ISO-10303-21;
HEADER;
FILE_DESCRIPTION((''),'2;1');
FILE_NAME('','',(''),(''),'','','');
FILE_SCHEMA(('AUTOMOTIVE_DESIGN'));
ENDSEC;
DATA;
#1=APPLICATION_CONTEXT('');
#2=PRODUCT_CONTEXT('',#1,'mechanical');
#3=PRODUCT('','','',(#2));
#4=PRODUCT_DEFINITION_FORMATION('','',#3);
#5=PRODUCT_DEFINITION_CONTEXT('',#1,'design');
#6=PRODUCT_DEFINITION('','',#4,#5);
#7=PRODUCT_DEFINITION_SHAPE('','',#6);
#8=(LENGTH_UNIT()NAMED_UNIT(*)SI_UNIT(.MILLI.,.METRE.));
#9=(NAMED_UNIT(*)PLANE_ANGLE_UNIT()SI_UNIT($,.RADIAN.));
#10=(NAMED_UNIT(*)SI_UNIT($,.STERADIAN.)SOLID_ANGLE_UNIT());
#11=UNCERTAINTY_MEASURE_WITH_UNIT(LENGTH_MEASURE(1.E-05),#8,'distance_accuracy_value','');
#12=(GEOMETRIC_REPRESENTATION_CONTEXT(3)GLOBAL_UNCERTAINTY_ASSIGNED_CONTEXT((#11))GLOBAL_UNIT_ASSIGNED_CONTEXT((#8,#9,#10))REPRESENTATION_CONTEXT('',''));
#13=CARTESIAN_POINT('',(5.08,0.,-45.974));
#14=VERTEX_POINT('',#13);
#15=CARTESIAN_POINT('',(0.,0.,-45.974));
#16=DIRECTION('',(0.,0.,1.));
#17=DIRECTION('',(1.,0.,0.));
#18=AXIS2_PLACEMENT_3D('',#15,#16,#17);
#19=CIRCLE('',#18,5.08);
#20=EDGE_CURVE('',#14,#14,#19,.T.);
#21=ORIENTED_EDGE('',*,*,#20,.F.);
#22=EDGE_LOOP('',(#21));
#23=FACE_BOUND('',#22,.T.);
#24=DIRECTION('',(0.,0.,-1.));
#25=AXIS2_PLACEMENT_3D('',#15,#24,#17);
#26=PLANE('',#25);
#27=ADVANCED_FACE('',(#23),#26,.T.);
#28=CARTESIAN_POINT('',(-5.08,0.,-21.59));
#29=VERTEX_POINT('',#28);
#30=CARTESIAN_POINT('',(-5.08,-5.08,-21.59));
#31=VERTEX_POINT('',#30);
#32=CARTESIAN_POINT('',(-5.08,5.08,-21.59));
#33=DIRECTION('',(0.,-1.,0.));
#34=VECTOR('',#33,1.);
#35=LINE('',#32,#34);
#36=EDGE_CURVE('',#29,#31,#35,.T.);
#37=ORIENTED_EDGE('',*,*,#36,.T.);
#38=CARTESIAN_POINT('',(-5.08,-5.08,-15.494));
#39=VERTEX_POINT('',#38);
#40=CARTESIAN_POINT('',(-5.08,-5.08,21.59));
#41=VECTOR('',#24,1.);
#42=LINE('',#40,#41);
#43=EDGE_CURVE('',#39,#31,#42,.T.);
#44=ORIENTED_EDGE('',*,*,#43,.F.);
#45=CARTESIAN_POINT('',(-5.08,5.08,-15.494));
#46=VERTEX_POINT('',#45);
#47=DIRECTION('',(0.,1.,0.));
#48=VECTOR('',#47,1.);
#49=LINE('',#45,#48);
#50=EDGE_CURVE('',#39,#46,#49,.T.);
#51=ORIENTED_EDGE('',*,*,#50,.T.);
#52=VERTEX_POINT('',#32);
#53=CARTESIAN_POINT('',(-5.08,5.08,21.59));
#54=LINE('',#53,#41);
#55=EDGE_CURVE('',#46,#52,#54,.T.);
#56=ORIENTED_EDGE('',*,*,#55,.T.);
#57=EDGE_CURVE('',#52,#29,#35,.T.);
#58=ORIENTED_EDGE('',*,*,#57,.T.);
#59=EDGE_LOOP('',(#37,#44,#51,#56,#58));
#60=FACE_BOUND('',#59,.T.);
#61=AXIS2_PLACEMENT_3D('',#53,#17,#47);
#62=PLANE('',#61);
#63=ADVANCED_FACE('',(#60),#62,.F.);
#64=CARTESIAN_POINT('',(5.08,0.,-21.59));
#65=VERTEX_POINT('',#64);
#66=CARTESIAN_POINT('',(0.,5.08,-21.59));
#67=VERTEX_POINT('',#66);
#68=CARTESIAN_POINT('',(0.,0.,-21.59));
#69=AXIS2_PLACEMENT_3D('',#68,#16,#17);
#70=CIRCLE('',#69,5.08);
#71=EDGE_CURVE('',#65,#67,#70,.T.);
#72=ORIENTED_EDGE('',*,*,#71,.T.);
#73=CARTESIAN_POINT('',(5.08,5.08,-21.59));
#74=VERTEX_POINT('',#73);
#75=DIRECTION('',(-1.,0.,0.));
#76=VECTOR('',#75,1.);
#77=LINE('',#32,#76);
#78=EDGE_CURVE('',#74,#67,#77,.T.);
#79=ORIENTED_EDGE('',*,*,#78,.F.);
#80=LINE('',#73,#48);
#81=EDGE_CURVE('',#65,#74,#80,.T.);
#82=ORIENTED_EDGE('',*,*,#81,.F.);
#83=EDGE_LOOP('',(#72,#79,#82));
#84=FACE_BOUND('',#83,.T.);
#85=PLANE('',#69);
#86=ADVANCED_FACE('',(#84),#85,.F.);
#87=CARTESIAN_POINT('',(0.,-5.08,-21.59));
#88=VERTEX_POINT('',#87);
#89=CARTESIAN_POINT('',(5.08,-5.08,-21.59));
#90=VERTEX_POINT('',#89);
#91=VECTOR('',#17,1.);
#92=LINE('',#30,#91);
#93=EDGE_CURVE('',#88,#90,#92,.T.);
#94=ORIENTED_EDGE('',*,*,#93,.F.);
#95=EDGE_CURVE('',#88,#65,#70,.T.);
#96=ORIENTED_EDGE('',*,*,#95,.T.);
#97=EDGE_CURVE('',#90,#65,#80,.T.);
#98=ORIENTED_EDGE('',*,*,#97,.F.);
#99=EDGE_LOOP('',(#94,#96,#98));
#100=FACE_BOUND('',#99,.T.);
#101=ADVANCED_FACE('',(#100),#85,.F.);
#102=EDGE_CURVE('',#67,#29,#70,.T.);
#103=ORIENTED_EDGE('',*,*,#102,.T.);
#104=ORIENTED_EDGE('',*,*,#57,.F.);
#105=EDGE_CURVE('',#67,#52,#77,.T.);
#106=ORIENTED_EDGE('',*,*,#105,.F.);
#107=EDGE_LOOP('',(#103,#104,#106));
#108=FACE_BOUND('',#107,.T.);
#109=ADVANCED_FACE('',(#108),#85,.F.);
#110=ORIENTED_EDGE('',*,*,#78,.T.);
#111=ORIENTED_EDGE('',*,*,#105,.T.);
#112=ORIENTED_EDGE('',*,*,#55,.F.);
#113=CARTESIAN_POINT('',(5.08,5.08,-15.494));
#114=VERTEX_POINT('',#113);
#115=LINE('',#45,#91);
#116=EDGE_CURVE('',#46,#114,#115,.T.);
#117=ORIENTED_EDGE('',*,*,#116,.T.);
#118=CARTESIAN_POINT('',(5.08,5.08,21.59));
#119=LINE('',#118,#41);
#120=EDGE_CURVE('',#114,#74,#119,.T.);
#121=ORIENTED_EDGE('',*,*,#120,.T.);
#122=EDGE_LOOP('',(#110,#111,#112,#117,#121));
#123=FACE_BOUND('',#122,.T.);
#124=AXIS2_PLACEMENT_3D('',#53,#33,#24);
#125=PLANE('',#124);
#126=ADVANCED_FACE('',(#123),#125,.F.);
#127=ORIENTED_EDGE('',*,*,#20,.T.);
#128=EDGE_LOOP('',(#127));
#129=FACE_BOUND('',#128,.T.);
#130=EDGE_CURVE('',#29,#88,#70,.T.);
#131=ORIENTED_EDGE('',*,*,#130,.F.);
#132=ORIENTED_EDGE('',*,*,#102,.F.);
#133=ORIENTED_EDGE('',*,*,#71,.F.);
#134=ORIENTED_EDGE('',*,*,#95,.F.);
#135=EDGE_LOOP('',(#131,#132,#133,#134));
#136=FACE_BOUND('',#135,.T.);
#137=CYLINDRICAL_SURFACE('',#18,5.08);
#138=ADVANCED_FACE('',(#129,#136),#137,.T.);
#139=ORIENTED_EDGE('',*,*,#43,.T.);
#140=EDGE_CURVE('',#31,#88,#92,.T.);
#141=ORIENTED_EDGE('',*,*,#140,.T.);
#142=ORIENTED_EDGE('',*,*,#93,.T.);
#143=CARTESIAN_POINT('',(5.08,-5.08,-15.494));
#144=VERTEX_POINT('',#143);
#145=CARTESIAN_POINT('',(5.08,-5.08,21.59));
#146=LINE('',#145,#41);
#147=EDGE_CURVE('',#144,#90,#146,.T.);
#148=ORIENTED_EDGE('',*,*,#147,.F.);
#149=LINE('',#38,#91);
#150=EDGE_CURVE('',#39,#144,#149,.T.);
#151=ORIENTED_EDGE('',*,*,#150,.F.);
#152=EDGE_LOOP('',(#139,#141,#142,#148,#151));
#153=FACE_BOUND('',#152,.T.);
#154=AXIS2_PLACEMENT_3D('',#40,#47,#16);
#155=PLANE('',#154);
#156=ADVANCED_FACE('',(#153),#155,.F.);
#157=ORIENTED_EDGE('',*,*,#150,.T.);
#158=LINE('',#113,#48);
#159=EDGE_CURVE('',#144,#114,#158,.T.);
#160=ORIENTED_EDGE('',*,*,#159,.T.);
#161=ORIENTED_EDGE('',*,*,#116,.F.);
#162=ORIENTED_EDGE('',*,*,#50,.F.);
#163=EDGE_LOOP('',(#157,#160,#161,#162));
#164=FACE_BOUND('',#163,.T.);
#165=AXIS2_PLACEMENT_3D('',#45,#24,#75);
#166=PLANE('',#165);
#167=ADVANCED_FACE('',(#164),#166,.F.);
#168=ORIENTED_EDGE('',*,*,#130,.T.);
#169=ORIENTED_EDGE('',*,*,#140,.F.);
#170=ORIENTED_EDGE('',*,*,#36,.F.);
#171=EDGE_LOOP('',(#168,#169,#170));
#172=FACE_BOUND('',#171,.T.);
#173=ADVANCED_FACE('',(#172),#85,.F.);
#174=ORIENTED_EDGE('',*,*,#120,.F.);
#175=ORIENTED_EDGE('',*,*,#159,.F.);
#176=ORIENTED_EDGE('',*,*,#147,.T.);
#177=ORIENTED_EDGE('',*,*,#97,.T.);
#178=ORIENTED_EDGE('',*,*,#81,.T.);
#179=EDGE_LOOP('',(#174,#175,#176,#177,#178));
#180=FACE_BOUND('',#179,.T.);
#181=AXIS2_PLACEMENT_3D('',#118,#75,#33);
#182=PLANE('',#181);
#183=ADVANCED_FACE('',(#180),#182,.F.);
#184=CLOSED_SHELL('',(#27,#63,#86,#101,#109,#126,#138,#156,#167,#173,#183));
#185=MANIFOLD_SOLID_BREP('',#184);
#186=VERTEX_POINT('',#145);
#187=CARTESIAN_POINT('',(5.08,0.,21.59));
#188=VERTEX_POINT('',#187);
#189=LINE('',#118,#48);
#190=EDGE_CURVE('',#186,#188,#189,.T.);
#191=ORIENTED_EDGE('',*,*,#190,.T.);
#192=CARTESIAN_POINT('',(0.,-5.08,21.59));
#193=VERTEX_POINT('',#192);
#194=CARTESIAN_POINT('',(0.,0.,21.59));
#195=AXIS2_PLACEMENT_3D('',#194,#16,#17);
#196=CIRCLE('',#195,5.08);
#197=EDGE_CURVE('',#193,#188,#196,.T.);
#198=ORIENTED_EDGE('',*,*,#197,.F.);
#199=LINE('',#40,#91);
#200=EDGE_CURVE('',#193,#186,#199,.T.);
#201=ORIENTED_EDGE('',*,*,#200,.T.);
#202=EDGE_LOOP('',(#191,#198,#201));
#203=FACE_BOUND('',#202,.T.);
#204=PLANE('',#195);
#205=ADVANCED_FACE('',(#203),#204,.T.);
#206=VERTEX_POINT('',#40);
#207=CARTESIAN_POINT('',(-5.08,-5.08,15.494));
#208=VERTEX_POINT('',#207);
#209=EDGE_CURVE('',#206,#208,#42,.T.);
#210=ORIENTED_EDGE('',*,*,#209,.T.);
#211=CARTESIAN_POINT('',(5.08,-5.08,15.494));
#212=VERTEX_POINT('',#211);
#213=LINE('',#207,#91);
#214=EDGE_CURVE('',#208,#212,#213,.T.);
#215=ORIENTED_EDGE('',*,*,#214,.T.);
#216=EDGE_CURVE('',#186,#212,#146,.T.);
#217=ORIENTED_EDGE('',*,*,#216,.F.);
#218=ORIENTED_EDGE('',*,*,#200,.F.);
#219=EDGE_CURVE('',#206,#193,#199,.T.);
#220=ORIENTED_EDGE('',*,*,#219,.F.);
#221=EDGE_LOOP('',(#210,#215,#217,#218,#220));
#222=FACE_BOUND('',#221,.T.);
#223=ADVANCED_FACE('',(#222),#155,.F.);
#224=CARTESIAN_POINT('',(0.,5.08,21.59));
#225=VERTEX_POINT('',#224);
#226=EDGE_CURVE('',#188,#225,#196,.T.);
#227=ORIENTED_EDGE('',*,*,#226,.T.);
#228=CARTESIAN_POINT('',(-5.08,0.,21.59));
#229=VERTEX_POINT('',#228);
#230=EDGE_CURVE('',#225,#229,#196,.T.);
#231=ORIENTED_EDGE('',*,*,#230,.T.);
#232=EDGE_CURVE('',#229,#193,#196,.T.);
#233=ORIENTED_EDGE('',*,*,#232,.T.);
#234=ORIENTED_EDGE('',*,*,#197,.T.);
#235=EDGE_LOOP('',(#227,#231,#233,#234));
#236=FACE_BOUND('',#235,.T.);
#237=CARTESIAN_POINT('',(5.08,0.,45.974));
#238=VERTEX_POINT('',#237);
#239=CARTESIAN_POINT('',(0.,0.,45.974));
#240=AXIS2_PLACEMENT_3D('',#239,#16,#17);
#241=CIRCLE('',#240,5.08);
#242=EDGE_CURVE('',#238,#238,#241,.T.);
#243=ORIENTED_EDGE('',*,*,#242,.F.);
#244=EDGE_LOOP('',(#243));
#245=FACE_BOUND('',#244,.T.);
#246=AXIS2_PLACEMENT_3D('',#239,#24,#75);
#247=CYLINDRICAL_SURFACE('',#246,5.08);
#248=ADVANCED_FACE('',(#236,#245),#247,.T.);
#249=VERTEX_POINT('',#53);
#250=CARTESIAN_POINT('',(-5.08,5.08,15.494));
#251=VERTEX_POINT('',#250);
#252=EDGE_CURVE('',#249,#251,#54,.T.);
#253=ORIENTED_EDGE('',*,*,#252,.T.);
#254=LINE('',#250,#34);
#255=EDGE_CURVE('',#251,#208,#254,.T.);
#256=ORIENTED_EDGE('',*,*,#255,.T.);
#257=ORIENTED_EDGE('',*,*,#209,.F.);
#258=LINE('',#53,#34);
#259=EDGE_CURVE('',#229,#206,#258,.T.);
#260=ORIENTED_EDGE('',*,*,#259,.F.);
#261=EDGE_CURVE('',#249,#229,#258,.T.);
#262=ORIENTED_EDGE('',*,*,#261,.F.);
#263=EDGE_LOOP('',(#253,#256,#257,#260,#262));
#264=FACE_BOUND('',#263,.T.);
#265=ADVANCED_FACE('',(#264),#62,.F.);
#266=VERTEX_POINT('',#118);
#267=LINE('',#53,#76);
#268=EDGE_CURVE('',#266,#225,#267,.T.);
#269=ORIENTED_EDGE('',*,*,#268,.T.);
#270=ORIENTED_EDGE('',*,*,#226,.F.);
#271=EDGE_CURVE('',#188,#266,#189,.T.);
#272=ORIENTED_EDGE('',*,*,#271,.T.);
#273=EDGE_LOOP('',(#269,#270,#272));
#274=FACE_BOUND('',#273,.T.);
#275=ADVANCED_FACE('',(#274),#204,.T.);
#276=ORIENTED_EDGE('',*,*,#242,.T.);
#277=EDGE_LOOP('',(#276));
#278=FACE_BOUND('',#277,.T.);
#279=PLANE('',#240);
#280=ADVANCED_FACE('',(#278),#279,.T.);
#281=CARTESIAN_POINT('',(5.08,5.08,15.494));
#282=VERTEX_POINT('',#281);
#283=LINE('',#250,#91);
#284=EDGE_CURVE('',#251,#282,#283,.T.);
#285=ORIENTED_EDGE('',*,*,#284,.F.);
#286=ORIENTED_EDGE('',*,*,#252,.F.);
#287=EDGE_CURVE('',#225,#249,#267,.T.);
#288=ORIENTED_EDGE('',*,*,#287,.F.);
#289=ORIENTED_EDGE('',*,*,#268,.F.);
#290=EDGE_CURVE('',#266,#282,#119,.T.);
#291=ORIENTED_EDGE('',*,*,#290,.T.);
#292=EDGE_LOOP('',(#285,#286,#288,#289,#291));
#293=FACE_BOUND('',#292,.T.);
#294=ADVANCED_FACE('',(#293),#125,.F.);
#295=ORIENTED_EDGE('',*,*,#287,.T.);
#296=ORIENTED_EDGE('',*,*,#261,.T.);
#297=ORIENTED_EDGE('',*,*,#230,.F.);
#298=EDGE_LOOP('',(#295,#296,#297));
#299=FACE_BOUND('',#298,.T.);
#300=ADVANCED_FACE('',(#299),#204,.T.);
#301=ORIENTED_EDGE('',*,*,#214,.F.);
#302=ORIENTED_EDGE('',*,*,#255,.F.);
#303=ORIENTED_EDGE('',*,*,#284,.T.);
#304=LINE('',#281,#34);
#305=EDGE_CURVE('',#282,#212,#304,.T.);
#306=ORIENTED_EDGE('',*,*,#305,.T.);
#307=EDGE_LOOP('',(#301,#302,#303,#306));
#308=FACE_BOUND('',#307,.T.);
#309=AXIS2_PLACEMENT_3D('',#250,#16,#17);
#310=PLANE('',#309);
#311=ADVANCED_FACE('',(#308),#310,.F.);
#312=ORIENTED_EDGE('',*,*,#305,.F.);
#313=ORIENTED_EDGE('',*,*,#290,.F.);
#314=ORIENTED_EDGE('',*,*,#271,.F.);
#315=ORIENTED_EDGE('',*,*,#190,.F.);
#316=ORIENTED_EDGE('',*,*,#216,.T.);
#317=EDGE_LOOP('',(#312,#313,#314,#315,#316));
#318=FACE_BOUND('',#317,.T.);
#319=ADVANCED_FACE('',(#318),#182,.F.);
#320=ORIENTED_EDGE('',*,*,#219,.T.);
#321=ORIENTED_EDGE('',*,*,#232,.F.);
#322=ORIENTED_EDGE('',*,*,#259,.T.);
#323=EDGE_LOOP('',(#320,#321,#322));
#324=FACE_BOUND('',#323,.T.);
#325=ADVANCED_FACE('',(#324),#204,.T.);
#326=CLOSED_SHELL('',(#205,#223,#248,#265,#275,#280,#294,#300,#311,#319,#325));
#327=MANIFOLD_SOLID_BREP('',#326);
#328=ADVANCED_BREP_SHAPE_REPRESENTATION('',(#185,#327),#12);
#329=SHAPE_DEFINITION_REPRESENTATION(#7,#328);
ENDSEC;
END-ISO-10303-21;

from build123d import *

# Parameters (mm, degrees)
SKETCH1_W           = 10.16
SKETCH1_H           = 10.16
BOSS_EXTRUDE2_DEPTH = 21.59
SKETCH2_R           = 5.08
BOSS_EXTRUDE3_DEPTH = 24.384
SKETCH4_W           = 30.988
SKETCH4_H           = 10.16
CUT_EXTRUDE2_DEPTH  = 48.35652728


with BuildPart() as part:
    # Sketch1 → Boss-Extrude2 (new, symmetric)
    with BuildSketch(Plane.XY):
        Rectangle(SKETCH1_W, SKETCH1_H)
    extrude(amount=BOSS_EXTRUDE2_DEPTH, both=True)

    # Sketch2 → Boss-Extrude3 (add)
    with BuildSketch(Plane.XY.offset(21.59)):
        Circle(SKETCH2_R)
    boss_extrude3 = extrude(amount=BOSS_EXTRUDE3_DEPTH)

    # Mirror1: Boss-Extrude3 across plane
    add(boss_extrude3.mirror(Plane.XY))

    # Sketch4 → Cut-Extrude2 (cut, through all)
    with BuildSketch(Plane(origin=(5.08, 0, 0), x_dir=(0, 0, -1), z_dir=(1, 0, 0))):
        Rectangle(SKETCH4_W, SKETCH4_H)
    extrude(amount=-CUT_EXTRUDE2_DEPTH, mode=Mode.SUBTRACT)


with BuildPart() as cut_extrude2_piece_1:
    # of the separate pieces the step leaves, piece 1, a body of its own (cut_extrude2_pieces)
    add(part.part.solids().sort_by_distance((-5.08, 5.08, 15.494))[0])


with BuildPart() as cut_extrude2_piece_2:
    # of the separate pieces the step leaves, piece 2, a body of its own (cut_extrude2_pieces)
    add(part.part.solids().sort_by_distance((-5.08, 5.08, -21.59))[0])


solid = Compound([cut_extrude2_piece_1.part, cut_extrude2_piece_2.part])
